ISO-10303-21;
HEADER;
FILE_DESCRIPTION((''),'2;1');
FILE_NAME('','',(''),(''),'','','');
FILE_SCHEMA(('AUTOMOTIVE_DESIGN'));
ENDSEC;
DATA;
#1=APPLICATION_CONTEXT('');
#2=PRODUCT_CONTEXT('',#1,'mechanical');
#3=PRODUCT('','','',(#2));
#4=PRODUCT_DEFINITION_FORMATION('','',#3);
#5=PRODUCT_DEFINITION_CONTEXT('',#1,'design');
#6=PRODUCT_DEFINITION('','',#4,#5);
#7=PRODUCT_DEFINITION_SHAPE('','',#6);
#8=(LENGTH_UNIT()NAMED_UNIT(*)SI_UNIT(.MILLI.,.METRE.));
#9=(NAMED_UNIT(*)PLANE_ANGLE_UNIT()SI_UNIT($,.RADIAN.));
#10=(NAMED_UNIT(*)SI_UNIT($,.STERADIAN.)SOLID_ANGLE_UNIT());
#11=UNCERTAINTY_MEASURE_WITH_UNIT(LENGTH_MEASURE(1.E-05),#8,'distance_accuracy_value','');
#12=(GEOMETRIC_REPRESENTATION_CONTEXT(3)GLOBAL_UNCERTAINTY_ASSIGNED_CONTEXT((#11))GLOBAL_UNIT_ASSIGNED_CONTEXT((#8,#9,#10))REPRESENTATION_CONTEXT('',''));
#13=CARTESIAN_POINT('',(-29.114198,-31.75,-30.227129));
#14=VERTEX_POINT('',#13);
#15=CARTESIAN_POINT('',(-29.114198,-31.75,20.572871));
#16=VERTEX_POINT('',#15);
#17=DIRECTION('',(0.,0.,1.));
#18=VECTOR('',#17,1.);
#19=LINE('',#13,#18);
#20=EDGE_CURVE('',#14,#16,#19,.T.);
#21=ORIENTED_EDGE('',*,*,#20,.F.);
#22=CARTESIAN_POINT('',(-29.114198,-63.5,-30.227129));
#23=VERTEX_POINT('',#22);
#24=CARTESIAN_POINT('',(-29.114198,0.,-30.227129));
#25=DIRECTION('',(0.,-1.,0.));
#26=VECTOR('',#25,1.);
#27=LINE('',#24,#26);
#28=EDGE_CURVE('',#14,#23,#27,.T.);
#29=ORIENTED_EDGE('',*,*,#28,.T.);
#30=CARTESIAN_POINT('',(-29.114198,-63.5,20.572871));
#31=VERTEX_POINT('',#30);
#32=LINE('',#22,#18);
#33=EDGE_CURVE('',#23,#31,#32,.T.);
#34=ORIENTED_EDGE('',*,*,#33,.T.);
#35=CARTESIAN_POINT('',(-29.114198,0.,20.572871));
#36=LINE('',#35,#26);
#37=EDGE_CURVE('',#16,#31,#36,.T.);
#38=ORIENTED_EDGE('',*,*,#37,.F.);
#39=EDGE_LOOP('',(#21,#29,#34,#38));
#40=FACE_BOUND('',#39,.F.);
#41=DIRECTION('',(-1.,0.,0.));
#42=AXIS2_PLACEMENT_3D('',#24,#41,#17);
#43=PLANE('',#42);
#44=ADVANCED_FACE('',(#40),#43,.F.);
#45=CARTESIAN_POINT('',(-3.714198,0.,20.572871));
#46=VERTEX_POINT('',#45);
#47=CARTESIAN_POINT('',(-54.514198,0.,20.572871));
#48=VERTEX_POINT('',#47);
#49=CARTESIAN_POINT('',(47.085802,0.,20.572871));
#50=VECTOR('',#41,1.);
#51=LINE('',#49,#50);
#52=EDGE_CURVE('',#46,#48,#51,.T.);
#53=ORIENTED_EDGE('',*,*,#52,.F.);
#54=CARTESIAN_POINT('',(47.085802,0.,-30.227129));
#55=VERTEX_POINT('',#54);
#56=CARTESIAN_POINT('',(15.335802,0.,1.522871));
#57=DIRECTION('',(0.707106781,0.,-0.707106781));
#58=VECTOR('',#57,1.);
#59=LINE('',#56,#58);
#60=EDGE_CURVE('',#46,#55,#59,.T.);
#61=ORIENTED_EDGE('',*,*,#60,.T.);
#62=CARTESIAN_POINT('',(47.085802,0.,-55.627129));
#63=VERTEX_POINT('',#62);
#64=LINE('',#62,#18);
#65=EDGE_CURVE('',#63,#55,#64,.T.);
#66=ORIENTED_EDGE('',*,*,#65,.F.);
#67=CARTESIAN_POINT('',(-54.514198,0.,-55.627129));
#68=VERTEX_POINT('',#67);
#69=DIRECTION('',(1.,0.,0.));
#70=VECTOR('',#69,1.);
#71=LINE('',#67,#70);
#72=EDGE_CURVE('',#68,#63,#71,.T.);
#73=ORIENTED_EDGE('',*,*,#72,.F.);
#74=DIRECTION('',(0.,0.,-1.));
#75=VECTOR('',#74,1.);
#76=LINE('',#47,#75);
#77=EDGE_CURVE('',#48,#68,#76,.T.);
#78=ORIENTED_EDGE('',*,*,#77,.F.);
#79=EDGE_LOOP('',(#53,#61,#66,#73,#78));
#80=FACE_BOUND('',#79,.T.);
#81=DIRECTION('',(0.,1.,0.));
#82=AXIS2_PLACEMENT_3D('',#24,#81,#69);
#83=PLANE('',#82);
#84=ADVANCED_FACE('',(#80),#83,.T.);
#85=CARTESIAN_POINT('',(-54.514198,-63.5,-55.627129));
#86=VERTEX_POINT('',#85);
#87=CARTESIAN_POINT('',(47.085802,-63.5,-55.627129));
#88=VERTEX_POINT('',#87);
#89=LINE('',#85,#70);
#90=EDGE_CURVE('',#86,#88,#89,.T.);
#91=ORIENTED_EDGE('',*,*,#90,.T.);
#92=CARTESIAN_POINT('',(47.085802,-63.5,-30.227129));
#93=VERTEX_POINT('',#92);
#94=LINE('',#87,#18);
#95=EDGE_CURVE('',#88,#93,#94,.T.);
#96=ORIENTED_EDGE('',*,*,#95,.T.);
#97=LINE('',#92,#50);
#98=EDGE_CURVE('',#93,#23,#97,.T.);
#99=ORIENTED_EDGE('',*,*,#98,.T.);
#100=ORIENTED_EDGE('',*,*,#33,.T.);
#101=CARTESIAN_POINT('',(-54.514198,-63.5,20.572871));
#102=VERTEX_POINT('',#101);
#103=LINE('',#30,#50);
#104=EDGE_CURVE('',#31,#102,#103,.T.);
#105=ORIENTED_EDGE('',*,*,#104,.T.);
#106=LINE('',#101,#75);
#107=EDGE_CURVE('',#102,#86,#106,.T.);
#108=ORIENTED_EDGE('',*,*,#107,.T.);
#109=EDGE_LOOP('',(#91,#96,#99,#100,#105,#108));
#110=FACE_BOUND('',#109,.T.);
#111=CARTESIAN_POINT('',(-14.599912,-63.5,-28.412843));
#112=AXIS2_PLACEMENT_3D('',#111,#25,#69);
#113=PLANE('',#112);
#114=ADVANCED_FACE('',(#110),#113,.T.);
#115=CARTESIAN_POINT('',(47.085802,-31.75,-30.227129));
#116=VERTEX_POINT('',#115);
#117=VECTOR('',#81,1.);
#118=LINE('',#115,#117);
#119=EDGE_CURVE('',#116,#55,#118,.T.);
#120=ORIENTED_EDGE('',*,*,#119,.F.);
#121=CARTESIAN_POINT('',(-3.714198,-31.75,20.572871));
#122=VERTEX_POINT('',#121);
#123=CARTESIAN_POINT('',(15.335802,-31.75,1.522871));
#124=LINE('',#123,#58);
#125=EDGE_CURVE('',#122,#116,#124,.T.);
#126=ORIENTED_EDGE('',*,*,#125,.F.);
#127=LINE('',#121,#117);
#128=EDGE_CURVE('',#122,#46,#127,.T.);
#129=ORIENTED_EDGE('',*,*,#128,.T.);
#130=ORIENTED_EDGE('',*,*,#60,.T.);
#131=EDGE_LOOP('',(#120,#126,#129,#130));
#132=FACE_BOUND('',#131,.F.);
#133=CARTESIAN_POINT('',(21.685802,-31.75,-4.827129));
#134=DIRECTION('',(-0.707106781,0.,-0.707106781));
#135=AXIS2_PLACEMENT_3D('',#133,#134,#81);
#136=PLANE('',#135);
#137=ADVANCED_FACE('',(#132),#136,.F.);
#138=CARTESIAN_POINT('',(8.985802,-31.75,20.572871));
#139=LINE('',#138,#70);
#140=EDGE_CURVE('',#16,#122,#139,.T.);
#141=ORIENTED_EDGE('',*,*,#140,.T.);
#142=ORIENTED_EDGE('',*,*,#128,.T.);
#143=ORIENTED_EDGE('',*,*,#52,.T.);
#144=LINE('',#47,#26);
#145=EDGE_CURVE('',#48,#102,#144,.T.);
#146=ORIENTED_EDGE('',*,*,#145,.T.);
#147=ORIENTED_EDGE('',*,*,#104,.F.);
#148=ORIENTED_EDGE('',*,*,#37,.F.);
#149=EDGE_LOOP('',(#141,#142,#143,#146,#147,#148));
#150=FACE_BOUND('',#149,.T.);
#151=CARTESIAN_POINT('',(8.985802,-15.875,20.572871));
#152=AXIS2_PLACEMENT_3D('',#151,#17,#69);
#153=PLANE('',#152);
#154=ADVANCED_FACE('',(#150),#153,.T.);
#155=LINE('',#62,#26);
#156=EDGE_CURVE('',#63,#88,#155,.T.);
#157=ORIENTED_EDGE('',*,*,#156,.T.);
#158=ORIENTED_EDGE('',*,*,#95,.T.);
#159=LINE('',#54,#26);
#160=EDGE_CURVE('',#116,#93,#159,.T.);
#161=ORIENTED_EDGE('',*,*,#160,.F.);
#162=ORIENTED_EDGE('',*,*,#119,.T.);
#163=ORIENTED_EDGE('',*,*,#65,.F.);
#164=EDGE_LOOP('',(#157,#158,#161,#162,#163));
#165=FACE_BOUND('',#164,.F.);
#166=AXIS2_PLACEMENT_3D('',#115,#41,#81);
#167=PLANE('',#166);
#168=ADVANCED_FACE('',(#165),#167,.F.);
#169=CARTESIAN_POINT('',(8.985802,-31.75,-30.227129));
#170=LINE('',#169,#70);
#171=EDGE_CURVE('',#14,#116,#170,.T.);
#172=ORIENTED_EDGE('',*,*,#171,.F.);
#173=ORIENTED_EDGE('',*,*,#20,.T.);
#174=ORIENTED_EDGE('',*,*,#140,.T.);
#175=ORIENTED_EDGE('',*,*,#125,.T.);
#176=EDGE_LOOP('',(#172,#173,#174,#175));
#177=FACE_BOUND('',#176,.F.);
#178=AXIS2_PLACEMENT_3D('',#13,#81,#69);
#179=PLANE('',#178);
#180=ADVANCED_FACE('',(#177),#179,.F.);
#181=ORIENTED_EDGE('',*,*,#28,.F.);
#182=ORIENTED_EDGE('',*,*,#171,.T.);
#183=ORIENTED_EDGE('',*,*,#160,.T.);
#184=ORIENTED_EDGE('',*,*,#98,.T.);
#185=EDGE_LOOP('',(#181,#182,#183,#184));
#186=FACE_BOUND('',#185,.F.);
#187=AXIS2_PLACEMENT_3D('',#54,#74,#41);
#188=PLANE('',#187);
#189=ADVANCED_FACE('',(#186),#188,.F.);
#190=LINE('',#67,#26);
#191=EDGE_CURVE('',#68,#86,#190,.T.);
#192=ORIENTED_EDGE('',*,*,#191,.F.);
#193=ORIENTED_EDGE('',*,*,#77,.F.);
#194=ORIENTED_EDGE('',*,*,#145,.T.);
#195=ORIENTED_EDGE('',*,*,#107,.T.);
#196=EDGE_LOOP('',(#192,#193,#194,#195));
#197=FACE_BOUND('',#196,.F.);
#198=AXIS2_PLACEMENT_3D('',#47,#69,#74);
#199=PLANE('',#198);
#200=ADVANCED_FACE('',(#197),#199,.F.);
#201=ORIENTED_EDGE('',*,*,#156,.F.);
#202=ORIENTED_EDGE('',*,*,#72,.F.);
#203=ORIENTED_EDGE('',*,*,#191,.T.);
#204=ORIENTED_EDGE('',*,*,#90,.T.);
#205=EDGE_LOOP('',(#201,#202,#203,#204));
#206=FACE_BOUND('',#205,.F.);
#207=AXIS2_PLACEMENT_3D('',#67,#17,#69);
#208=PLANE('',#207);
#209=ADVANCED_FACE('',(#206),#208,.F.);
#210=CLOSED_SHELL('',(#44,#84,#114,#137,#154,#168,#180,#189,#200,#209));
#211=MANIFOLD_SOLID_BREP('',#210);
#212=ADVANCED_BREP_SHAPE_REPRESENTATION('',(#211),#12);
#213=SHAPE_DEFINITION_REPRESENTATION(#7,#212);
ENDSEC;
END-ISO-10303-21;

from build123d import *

# Parameters (mm, degrees)
F1_DEPTH = 63.5
F2_W     = 76.2
F2_H     = 31.75
F3_DEPTH = 50.8
F4_SIZE  = 50.8


with BuildPart() as f1:
    # F0 (on Front) → F1 (new body)
    with BuildSketch(Plane.XZ):
        Polygon((-29.114198, 20.572871), (-54.514198, 20.572871), (-54.514198, -55.627129), (47.085802, -55.627129), (47.085802, -30.227129), (-29.114198, -30.227129), align=None)
    extrude(amount=F1_DEPTH)

    # F2 (on face) → F3 (join)
    with BuildSketch(Plane.XY.offset(-30.227129)):
        with Locations((8.985802, -15.875)):
            Rectangle(F2_W, F2_H)
    extrude(amount=F3_DEPTH)

    # F4
    f4_edges = [f1.edges().sort_by_distance(p)[0] for p in [
        (47.085802, -15.875, 20.572871),
    ]]
    chamfer(f4_edges, length=F4_SIZE)


solid = f1.part
